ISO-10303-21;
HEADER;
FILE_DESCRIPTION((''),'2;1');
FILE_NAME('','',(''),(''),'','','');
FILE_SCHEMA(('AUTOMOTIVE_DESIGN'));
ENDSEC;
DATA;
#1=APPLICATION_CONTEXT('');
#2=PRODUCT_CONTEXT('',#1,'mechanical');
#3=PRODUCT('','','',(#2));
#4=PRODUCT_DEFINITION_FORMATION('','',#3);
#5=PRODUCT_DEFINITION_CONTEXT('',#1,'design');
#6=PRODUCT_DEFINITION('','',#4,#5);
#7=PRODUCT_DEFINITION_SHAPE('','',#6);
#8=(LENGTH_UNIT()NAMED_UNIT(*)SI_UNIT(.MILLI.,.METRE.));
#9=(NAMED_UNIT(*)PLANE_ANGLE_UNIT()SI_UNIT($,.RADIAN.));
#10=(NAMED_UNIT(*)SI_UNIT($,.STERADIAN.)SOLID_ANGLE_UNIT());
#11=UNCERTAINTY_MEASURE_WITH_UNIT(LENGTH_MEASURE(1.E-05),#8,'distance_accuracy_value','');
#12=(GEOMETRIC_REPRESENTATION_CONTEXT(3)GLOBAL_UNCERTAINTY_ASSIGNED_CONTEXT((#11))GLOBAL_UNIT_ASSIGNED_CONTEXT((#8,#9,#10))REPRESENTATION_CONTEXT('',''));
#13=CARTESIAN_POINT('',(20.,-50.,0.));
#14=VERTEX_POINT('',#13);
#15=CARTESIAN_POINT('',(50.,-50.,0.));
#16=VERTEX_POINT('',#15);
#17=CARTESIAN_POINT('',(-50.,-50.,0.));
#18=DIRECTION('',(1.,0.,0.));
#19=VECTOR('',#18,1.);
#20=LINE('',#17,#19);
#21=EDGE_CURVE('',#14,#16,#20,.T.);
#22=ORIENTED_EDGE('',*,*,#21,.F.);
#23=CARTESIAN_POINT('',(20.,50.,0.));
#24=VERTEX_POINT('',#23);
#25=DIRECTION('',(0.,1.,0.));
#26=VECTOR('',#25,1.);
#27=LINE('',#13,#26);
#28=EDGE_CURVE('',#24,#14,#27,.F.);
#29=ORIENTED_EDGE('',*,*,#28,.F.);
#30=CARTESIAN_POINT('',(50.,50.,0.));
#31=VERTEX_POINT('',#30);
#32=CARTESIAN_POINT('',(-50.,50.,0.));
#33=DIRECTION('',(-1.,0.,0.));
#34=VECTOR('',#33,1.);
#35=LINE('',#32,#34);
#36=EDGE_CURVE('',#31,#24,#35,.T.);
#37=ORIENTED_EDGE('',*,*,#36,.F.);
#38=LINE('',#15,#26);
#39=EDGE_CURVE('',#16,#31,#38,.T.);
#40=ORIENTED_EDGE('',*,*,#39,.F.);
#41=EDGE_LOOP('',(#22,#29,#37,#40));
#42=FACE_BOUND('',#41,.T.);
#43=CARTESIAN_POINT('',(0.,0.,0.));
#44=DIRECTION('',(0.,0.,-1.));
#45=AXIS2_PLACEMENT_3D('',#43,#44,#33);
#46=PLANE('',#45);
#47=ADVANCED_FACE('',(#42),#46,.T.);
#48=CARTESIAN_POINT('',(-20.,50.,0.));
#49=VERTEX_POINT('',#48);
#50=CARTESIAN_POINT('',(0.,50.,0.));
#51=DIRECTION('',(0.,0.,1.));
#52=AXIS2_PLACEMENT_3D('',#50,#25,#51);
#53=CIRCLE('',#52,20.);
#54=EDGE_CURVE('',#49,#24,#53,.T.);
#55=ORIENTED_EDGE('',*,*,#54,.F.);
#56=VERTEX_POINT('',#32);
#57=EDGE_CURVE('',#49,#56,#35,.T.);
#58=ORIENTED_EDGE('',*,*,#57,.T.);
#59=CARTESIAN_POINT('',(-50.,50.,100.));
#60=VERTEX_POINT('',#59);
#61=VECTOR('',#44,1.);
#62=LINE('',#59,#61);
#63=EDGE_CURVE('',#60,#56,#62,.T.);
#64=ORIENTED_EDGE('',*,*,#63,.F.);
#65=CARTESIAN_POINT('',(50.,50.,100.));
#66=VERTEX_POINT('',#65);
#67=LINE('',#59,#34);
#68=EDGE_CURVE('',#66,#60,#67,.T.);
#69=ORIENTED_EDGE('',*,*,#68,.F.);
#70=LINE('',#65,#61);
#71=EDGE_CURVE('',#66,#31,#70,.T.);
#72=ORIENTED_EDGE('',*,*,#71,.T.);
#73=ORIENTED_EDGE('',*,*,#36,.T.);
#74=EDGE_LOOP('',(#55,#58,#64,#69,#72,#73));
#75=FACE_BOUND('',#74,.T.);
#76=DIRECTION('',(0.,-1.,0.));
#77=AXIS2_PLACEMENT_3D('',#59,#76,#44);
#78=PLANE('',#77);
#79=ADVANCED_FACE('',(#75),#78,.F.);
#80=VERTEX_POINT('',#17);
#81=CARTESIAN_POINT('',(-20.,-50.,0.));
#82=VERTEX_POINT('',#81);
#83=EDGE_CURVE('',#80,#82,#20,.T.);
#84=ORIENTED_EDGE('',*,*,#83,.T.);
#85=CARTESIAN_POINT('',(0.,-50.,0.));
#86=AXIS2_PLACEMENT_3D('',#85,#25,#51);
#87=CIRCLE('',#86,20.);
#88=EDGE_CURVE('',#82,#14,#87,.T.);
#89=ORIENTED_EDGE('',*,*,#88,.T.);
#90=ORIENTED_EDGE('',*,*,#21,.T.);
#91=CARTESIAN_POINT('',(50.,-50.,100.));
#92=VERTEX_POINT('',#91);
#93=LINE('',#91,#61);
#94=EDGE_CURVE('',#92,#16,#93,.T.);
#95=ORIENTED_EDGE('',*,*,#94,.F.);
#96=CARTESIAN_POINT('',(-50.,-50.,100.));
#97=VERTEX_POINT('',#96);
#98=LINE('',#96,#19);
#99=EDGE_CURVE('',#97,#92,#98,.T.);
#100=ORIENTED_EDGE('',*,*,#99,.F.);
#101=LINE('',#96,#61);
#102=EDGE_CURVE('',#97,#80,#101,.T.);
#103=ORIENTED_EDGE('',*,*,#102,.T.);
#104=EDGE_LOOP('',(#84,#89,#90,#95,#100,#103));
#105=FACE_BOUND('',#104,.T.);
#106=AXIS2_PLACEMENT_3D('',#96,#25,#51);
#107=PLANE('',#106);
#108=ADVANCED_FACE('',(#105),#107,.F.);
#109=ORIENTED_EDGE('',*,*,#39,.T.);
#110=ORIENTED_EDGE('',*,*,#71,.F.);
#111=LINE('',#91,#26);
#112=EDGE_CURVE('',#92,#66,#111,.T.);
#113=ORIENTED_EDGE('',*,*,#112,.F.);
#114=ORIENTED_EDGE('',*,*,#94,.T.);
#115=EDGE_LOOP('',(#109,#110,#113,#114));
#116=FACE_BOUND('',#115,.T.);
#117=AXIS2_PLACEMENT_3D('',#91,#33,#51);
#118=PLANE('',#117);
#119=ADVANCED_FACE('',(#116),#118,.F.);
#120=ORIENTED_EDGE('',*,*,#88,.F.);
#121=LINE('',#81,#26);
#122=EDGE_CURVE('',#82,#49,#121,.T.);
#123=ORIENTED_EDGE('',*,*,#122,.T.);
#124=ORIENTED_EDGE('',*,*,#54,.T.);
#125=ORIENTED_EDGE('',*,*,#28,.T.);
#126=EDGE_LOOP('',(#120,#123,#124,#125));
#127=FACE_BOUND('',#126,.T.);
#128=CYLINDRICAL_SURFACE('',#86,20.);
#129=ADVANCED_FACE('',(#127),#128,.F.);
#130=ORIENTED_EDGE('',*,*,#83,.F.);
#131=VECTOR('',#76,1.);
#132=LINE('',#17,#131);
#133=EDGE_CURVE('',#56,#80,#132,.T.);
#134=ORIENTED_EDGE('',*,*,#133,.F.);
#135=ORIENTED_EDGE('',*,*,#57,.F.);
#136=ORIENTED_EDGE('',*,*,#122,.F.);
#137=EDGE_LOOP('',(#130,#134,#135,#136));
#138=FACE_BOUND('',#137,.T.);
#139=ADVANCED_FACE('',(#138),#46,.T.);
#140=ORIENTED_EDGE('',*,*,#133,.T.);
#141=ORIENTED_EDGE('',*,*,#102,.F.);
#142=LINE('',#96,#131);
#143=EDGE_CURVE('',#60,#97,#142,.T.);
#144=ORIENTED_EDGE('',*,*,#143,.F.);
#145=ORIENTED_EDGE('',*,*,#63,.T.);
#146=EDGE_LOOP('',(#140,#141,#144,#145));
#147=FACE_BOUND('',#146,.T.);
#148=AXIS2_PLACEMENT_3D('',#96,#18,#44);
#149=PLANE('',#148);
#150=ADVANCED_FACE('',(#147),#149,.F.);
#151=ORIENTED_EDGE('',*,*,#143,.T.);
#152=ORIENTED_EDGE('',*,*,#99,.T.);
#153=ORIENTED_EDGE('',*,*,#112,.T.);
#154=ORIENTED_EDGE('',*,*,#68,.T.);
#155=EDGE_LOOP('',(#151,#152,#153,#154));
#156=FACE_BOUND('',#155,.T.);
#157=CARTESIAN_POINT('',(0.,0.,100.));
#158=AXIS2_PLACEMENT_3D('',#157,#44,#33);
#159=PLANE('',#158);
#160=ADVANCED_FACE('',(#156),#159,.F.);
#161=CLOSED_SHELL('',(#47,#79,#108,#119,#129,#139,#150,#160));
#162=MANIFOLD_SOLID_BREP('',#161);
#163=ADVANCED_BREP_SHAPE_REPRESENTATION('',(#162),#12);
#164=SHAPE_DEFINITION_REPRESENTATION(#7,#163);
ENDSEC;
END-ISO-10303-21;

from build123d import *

# Parameters (mm, degrees)
SKETCH_1_W          = 100
SKETCH_1_H          = 100
EXTRUDE_1_DEPTH     = 100
SKETCH_2_R          = 20
CUT_EXTRUDE_1_DEPTH = 151


with BuildPart() as part:
    # 草图1 → 凸台-拉伸1 (new body)
    with BuildSketch(Plane.XY):
        Rectangle(SKETCH_1_W, SKETCH_1_H)
    extrude(amount=EXTRUDE_1_DEPTH)

    # 草图2 → 切除-拉伸1 (cut, through all)
    with BuildSketch(Plane(origin=(0, 50, 0), x_dir=(1, 0, 0), z_dir=(0, 1, 0))):
        Circle(SKETCH_2_R)
    extrude(amount=-CUT_EXTRUDE_1_DEPTH, mode=Mode.SUBTRACT)


solid = part.part
